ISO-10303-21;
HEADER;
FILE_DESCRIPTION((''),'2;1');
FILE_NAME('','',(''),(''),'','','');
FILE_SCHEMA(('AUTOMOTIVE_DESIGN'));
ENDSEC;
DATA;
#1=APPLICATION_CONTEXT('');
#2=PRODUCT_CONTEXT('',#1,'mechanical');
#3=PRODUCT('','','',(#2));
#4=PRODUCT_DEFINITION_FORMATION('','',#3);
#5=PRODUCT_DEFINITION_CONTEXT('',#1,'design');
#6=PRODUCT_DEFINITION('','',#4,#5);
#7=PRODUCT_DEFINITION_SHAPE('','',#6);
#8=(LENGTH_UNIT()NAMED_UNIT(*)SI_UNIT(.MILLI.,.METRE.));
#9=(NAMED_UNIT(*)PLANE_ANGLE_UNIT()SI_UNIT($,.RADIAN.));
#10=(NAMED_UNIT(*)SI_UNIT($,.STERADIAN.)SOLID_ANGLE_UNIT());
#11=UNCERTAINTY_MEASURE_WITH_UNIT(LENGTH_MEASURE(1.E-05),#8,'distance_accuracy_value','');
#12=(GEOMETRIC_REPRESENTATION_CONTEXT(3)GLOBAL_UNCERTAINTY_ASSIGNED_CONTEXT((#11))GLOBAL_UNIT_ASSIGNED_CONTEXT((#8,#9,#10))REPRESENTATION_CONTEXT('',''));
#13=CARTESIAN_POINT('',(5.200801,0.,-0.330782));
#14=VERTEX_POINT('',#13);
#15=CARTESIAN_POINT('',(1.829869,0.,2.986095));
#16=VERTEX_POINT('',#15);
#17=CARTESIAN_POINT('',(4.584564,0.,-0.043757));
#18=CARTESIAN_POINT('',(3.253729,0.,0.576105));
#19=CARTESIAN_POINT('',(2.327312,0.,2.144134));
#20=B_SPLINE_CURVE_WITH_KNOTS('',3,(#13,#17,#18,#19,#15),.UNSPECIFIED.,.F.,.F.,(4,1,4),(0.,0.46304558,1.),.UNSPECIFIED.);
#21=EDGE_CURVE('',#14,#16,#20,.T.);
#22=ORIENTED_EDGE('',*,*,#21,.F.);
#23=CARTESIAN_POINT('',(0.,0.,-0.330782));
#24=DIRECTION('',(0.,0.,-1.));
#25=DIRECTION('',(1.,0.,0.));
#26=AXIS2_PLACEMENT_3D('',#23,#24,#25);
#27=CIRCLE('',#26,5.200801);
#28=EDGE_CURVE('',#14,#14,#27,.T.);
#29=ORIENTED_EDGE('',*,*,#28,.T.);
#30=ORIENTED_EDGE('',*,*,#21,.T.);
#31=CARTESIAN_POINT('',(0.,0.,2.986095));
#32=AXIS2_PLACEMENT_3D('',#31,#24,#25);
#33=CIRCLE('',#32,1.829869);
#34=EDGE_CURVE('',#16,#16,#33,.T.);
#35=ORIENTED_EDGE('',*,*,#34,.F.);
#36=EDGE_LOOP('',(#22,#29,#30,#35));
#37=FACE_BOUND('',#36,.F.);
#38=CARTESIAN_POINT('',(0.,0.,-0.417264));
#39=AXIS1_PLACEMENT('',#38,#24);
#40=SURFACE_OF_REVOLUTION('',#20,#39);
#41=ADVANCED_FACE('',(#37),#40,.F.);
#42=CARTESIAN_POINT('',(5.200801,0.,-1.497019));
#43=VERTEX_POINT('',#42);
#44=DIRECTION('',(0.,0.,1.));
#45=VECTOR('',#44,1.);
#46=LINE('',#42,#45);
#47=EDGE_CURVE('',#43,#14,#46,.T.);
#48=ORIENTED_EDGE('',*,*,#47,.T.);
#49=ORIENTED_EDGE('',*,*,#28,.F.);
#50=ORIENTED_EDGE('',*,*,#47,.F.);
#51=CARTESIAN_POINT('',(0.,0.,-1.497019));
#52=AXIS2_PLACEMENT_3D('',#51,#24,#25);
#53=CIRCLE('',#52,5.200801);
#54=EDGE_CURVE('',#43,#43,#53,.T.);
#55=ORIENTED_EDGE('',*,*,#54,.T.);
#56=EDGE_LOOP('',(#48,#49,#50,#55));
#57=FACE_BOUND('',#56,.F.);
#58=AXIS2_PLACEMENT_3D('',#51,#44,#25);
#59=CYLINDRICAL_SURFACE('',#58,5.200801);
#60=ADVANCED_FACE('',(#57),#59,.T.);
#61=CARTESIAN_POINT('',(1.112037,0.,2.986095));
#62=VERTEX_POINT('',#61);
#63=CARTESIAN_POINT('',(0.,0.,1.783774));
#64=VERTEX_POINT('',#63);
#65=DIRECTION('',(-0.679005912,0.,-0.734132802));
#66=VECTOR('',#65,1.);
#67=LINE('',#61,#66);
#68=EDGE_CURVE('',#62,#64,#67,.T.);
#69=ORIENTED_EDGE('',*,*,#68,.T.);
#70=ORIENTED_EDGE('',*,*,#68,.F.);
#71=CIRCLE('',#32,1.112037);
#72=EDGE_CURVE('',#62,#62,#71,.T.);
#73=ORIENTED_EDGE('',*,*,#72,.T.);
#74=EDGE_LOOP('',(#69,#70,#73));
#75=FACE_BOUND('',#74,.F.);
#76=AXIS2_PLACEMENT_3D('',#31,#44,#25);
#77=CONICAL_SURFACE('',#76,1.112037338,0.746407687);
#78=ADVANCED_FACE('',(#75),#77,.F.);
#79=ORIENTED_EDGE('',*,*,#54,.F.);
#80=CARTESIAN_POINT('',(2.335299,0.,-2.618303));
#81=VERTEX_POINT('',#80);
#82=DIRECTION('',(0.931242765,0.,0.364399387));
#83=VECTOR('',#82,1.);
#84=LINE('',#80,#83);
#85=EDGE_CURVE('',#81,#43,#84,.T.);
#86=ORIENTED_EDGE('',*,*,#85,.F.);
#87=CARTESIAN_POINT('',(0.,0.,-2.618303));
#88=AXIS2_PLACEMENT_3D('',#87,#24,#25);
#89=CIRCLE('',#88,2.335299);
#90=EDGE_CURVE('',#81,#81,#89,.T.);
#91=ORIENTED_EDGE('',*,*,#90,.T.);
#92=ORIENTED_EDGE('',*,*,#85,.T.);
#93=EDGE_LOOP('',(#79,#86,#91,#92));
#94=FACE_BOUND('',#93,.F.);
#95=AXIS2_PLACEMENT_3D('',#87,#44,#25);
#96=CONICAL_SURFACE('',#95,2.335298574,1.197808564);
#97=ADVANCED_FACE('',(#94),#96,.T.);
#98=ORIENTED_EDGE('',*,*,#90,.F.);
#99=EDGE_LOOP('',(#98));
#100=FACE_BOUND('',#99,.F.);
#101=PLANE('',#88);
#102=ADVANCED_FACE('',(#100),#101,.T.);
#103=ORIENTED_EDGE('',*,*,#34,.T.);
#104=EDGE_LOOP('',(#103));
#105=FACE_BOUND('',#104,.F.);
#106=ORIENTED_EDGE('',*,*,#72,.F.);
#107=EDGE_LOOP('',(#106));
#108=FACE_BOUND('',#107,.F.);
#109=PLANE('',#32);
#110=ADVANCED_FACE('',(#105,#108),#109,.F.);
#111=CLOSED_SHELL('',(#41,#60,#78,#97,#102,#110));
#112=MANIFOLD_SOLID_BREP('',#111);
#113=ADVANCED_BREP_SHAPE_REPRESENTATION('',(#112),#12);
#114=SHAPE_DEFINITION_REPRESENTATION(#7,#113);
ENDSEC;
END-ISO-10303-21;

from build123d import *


with BuildPart() as f1:
    # F0 (on Front) → F1 (revolve)
    with BuildSketch(Plane.XZ):
        with BuildLine():
            Line((1.1120373383, 2.9860949144), (0, 1.7837738851))
            Line((0, 1.7837738851), (0, -2.618302824))
            Line((0, -2.618302824), (2.3352985736, -2.618302824))
            Line((2.3352985736, -2.618302824), (5.2008014172, -1.4970189659))
            Line((5.2008014172, -1.4970189659), (5.2008014172, -0.3307815059))
            add(Edge.make_bspline(
                [(5.2008014172, -0.3307815059), (4.5845641853, -0.0437571429), (3.2537292548, 0.5761048653), (2.3273124691, 2.1441344811), (1.829868881, 2.9860949144)],
                knots=[0, 0, 0, 0, 0.4630455798, 1, 1, 1, 1], degree=3))
            Line((1.829868881, 2.9860949144), (1.1120373383, 2.9860949144))
        make_face()
    revolve(axis=Axis((0, 0, -0.4172644694), (0, 0, -1)))


solid = f1.part
